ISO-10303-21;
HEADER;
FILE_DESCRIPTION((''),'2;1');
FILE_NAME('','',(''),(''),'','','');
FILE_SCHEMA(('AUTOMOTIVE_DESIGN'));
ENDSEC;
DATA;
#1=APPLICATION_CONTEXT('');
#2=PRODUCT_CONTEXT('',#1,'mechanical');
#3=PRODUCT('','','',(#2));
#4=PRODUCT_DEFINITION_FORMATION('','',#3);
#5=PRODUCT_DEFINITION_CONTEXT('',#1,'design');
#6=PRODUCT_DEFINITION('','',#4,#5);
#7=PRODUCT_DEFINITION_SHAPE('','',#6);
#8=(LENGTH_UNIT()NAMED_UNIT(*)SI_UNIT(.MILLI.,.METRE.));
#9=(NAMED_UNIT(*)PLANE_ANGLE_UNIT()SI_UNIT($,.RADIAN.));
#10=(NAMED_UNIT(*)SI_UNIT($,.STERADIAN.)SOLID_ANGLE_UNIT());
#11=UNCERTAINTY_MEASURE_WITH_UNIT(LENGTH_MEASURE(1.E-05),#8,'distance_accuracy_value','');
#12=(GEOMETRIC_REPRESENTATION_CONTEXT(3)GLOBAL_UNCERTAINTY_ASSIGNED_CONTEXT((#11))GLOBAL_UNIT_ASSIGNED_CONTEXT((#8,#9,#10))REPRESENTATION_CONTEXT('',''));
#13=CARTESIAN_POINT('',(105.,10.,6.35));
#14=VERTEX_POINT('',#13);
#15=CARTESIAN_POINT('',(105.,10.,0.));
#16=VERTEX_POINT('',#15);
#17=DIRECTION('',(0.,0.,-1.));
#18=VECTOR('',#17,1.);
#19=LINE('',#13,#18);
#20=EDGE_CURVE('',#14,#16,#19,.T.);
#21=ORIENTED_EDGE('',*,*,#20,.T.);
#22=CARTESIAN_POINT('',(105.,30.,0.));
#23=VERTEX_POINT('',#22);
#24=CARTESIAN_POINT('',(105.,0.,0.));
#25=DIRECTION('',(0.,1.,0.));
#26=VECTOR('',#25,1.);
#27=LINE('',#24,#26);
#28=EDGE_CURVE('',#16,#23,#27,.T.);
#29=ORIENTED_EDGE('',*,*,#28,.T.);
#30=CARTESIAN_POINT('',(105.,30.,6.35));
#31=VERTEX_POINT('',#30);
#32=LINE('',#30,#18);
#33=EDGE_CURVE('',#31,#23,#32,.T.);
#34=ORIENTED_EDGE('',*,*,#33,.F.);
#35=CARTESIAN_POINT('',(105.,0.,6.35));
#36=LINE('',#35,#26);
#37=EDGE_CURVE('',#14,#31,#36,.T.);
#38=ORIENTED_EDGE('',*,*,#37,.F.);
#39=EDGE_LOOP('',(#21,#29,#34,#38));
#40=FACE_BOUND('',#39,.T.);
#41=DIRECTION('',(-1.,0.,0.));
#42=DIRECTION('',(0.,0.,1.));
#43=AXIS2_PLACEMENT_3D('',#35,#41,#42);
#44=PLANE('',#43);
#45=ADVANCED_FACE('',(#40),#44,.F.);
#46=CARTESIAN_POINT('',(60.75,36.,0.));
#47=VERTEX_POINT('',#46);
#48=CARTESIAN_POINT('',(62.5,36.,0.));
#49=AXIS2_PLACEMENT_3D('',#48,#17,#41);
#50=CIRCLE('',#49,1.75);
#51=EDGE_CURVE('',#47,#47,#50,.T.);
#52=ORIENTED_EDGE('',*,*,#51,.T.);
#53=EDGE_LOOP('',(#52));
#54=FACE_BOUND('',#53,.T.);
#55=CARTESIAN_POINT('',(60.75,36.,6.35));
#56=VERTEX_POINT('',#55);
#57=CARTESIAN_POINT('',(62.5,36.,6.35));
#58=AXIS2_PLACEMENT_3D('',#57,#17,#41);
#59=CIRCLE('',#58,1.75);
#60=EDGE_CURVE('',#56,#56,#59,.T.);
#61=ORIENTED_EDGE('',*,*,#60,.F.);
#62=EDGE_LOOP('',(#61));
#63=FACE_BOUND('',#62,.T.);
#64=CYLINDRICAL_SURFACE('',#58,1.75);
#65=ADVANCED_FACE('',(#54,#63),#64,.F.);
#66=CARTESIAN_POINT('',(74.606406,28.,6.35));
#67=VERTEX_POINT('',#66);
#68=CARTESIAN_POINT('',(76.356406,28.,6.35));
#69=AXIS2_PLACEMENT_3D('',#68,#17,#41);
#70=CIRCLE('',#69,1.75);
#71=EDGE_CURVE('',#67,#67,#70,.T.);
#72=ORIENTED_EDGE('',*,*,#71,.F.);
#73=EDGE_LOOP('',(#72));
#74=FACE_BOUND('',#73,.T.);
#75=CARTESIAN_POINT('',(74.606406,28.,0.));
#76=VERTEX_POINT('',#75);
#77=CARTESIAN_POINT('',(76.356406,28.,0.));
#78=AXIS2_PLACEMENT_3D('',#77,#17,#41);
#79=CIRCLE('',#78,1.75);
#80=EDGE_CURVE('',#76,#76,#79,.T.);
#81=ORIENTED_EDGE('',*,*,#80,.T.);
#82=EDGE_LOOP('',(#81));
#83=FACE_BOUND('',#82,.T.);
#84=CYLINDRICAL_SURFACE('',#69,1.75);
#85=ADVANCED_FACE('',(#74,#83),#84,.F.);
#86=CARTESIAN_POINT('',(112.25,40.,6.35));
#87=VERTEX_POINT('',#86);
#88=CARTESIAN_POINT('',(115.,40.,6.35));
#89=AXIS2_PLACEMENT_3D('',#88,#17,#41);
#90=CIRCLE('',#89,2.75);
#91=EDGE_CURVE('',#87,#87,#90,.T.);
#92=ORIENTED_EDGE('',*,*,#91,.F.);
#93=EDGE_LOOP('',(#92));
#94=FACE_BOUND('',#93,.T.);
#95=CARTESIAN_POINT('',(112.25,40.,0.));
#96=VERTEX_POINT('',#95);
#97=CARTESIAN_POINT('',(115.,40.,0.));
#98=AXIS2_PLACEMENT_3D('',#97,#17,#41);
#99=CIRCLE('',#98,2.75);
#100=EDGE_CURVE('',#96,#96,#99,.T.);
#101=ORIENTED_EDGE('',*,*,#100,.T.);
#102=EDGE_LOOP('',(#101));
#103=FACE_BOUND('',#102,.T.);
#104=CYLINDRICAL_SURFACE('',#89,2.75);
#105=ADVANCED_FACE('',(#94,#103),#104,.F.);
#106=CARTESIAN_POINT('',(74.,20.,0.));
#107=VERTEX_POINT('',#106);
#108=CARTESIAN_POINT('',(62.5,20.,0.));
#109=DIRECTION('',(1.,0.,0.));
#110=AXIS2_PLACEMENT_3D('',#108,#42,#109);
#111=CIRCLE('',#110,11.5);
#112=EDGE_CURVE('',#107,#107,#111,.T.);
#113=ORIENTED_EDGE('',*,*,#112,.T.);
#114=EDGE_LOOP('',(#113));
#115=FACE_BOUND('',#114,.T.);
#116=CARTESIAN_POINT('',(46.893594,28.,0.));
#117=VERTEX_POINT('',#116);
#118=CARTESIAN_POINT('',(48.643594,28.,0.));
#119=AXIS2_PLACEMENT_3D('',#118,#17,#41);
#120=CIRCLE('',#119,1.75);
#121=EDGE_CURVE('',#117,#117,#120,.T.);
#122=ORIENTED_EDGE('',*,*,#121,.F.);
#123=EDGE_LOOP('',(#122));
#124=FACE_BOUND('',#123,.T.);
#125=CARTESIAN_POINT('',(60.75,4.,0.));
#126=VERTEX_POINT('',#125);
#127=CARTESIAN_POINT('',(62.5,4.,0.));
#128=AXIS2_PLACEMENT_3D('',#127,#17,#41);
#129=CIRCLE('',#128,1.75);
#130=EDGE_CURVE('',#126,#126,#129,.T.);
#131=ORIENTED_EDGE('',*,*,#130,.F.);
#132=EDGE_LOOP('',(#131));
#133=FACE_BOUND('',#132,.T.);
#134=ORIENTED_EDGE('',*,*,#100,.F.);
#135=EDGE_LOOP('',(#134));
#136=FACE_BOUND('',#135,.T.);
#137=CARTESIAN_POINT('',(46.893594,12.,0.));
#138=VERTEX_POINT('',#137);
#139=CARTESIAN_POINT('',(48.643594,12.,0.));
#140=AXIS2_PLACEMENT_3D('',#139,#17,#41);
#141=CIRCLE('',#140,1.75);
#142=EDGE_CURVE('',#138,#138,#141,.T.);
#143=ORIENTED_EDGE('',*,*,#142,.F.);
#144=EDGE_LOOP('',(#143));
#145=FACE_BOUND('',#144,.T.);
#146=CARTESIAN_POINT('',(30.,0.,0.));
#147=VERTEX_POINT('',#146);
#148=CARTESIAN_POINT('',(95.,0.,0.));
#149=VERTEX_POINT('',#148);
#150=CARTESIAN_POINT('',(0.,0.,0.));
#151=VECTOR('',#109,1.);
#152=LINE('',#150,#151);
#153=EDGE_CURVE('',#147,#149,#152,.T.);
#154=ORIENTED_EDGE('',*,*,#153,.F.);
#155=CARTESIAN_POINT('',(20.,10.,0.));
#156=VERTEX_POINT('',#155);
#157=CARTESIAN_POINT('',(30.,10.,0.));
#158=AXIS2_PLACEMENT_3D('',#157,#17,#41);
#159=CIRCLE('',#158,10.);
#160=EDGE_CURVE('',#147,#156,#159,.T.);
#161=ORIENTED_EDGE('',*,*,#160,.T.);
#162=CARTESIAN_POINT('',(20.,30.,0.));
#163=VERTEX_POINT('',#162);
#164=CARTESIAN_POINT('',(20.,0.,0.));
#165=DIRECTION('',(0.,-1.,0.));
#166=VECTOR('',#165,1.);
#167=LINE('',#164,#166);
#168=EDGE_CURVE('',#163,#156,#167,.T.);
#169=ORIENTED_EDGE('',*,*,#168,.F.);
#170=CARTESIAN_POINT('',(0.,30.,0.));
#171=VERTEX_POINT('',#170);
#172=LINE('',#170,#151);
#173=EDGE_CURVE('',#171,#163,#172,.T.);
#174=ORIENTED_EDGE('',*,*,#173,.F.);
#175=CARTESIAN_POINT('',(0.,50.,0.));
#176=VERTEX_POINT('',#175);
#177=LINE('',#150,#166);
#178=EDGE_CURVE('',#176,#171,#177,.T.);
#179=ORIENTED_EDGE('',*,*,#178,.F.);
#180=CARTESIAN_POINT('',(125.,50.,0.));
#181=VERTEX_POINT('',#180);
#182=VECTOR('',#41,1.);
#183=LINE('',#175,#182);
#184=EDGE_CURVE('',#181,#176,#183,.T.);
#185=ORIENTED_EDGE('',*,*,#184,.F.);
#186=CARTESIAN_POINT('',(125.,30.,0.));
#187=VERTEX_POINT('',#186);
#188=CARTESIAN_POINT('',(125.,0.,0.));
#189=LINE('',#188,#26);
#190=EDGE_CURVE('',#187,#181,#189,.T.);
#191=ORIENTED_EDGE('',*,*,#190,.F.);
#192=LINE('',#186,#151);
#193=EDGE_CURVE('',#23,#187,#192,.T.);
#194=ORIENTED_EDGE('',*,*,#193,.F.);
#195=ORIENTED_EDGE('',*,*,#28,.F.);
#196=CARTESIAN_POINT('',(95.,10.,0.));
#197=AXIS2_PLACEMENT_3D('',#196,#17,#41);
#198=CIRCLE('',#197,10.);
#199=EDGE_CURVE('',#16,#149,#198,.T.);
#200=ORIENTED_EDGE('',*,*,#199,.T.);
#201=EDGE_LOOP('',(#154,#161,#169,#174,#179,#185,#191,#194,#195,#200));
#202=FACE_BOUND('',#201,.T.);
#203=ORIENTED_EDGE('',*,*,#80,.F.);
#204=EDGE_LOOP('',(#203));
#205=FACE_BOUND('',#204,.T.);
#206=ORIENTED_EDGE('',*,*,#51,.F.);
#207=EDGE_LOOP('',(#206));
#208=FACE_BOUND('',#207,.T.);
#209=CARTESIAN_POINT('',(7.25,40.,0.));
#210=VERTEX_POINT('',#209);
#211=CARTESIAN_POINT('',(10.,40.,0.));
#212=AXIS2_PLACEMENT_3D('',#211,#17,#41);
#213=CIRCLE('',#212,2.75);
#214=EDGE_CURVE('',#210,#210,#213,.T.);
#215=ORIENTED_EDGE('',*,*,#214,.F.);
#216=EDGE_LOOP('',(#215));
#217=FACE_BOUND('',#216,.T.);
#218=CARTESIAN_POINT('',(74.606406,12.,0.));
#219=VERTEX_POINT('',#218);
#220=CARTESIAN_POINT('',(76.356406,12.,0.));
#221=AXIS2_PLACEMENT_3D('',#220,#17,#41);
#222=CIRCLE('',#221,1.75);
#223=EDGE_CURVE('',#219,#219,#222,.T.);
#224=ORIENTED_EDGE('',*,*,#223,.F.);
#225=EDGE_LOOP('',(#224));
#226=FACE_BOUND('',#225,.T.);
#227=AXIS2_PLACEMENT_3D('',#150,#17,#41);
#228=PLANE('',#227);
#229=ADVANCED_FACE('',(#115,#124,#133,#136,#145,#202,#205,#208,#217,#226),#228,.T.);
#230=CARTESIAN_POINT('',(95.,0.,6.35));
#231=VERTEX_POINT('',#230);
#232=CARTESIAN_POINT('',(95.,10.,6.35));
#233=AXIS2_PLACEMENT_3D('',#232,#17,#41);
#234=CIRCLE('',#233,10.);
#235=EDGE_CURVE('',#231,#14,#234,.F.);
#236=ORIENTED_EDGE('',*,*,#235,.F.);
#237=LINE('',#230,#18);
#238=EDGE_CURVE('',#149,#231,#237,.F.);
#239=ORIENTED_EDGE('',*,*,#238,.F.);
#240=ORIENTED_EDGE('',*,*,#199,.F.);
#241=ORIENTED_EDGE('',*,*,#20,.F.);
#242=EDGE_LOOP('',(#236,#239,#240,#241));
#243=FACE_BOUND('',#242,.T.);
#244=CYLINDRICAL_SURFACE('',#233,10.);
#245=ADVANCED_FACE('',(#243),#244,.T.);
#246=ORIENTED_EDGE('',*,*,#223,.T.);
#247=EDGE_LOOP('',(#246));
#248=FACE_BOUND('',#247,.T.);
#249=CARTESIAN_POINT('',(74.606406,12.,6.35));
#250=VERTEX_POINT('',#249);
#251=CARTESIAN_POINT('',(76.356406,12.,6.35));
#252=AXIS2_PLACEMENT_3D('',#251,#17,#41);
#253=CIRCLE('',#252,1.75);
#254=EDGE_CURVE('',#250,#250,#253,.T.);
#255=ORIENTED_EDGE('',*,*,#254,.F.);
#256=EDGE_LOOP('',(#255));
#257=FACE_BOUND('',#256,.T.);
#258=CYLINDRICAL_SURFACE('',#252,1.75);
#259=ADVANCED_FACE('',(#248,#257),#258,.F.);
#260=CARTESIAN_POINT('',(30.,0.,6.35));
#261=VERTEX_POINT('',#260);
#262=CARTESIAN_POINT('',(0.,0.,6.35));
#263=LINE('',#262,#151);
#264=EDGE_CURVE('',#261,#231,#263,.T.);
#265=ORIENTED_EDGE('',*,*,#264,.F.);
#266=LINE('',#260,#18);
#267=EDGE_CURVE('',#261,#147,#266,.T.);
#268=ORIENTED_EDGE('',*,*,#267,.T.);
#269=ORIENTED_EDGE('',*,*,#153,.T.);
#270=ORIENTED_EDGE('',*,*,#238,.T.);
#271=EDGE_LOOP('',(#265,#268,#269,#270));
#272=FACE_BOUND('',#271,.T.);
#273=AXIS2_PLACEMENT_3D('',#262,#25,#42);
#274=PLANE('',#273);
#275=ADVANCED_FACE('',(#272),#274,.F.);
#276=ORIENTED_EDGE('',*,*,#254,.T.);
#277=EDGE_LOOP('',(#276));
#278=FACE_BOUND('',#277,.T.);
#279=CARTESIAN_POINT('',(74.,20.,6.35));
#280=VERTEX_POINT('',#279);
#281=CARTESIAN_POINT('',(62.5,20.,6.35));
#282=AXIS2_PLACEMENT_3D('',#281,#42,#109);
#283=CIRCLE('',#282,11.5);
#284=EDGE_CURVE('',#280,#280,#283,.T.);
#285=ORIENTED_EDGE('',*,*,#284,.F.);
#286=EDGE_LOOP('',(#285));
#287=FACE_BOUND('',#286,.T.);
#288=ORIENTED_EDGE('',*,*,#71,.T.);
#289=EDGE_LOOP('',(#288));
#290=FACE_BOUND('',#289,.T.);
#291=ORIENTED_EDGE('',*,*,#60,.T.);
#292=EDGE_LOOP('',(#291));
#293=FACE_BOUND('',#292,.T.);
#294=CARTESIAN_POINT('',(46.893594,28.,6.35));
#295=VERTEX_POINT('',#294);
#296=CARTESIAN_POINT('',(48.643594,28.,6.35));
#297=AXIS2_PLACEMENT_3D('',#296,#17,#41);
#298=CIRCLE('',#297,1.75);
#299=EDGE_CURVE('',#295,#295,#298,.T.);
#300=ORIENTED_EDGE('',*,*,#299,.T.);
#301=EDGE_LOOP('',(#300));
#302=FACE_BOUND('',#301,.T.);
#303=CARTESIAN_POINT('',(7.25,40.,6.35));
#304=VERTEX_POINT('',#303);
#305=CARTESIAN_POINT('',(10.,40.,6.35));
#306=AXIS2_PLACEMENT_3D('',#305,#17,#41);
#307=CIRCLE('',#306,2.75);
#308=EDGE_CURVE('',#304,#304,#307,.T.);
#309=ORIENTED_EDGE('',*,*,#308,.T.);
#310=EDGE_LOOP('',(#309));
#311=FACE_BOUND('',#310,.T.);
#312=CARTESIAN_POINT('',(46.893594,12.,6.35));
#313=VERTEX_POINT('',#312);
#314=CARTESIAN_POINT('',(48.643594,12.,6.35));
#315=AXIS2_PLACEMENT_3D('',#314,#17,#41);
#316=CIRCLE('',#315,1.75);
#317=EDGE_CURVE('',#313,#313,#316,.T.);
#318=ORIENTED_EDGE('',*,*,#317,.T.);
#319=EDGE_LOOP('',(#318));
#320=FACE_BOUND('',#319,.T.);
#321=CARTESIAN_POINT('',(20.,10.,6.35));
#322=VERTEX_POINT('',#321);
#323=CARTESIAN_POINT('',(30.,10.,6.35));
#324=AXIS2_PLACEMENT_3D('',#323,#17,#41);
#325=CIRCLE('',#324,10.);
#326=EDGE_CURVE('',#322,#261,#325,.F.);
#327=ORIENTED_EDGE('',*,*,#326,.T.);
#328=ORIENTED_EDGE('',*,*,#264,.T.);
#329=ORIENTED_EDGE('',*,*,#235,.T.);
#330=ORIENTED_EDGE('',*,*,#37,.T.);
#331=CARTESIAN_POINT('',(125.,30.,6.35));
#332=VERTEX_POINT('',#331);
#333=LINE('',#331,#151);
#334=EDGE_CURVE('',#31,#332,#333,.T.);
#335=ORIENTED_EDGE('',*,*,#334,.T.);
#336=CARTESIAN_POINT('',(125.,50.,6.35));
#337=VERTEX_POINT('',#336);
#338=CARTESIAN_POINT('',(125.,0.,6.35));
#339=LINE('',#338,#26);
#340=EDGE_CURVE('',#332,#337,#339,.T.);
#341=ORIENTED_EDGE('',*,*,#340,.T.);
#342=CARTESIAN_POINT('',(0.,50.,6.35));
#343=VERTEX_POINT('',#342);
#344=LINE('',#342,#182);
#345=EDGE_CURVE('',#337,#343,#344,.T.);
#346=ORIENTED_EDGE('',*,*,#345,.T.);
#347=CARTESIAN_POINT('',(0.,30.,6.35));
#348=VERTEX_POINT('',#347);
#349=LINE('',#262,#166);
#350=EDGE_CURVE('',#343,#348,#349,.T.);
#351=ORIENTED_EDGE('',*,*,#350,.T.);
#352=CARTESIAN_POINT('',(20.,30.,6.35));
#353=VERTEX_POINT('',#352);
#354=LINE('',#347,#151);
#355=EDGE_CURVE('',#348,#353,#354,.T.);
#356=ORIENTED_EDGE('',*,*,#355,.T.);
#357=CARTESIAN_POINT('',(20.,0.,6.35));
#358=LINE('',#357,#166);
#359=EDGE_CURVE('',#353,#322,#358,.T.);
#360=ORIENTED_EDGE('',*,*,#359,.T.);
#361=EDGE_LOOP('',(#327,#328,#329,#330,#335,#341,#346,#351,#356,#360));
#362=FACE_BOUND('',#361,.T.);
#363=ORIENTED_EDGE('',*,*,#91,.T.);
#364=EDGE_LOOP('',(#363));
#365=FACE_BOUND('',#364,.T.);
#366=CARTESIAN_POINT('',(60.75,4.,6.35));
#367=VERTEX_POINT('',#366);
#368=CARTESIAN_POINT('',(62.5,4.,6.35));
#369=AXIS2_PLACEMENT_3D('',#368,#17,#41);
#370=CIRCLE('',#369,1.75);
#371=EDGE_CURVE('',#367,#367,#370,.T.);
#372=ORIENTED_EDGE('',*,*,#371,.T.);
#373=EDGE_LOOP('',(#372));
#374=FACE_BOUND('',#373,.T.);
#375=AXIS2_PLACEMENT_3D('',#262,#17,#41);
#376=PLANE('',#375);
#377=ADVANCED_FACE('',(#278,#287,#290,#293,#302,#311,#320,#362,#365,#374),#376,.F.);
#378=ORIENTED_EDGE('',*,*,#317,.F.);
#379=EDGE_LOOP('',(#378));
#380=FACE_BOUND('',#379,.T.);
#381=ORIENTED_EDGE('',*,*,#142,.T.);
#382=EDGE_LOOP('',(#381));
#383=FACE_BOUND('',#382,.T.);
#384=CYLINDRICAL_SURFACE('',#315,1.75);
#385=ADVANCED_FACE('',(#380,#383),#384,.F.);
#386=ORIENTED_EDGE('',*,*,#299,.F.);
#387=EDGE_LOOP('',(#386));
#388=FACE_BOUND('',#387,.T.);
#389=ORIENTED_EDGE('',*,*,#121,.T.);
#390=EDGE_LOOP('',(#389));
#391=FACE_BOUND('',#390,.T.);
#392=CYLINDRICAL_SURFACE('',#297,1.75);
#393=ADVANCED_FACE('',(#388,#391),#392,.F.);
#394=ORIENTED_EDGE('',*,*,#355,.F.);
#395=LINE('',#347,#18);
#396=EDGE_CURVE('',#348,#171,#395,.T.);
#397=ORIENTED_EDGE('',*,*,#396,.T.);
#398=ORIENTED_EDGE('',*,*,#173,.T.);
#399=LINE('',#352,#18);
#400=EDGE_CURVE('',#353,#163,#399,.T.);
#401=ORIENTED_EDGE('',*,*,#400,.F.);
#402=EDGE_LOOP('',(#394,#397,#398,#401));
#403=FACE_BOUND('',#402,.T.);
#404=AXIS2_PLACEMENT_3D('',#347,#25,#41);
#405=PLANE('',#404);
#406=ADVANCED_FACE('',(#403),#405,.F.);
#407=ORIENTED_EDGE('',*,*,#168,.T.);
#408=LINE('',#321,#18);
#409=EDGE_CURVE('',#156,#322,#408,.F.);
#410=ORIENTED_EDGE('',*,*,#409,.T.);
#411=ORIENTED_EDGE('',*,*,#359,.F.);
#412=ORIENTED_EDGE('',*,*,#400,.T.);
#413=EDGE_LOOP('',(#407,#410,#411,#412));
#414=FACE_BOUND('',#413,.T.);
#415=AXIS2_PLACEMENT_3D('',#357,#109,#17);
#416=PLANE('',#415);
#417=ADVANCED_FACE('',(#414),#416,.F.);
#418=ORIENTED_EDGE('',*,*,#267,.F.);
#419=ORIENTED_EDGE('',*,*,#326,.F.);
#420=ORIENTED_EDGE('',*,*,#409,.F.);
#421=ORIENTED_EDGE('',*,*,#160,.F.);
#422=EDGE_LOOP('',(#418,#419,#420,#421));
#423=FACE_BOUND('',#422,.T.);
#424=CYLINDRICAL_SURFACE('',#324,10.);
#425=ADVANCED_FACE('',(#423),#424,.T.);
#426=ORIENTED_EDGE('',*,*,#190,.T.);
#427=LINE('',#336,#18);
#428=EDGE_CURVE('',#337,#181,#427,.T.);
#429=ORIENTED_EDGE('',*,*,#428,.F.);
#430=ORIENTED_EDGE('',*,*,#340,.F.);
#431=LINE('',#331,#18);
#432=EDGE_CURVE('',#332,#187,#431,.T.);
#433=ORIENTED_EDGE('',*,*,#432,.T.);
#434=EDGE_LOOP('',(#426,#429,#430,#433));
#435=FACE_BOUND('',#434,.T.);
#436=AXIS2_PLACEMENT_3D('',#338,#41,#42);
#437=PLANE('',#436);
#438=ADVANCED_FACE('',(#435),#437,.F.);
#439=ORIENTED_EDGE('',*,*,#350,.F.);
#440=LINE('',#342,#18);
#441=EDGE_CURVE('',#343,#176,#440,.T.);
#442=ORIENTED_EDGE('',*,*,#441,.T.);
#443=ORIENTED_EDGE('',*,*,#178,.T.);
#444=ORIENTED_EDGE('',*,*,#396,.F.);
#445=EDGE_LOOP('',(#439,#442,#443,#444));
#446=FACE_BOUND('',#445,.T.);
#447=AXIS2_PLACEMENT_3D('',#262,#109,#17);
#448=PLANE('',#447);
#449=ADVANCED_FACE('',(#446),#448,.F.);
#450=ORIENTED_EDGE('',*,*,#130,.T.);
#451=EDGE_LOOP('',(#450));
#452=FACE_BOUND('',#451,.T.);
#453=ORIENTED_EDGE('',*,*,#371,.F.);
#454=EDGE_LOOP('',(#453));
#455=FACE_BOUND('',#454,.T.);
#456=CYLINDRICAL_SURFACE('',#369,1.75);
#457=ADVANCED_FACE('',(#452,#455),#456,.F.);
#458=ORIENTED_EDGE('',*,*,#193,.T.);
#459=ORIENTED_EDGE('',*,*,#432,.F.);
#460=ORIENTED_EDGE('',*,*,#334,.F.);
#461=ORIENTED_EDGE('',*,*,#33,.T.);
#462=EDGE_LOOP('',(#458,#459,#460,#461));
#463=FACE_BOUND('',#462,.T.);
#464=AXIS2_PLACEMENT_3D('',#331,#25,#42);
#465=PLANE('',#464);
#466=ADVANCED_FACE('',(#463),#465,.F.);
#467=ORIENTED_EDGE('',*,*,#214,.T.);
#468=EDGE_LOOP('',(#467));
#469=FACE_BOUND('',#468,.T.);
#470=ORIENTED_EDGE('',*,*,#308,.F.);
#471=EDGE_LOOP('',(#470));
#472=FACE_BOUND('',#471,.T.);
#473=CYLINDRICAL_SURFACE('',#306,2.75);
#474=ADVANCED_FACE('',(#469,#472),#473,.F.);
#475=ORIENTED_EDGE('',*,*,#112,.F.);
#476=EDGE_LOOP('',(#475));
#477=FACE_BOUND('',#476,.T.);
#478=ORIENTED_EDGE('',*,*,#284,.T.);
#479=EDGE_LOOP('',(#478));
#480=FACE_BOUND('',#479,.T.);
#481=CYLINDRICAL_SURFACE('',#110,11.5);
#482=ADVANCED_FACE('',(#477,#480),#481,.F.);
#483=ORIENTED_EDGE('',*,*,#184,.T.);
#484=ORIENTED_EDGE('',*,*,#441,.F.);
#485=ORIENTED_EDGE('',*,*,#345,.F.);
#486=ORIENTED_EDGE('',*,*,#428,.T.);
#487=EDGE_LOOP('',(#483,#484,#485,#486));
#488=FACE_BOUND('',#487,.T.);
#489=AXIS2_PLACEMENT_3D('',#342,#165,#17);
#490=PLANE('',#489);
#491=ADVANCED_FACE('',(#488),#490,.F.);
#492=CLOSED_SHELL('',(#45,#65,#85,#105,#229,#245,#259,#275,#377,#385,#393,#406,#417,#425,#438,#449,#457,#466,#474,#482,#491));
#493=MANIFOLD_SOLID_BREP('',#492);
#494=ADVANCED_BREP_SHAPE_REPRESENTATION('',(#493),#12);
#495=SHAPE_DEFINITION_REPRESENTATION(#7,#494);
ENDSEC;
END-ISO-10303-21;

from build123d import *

# Parameters (mm, degrees)
SKETCH1_W           = 125
SKETCH1_H           = 50
BOSS_EXTRUDE1_DEPTH = 6.35
SKETCH2_R           = 11.5
CUT_EXTRUDE1_DEPTH  = 7.35
SKETCH5_R           = 1.75
CUT_EXTRUDE5_DEPTH  = 7.35
SKETCH6_R           = 2.75
SKETCH6_W           = 20
SKETCH6_H           = 30
CUT_EXTRUDE6_DEPTH  = 7.35
FILLET1_R           = 10


with BuildPart() as part:
    # Sketch1 → Boss-Extrude1 (new body)
    with BuildSketch(Plane.XY):
        with Locations((62.5, 25)):
            Rectangle(SKETCH1_W, SKETCH1_H)
    extrude(amount=BOSS_EXTRUDE1_DEPTH)

    # Sketch2 → Cut-Extrude1 (cut, through all)
    with BuildSketch(Plane.XY.offset(6.35)):
        with Locations((62.5, 20)):
            Circle(SKETCH2_R)
    extrude(amount=-CUT_EXTRUDE1_DEPTH, mode=Mode.SUBTRACT)

    # Sketch5 → Cut-Extrude5 (cut, through all)
    with BuildSketch(Plane(origin=(0, 0, 0), x_dir=(-1, 0, 0), z_dir=(0, 0, -1))):
        with Locations((-48.643593539, 28)):
            Circle(SKETCH5_R)
        with Locations((-48.643593539, 12)):
            Circle(SKETCH5_R)
        with Locations((-62.5, 4)):
            Circle(SKETCH5_R)
        with Locations((-76.356406461, 12)):
            Circle(SKETCH5_R)
        with Locations((-76.356406461, 28)):
            Circle(SKETCH5_R)
        with Locations((-62.5, 36)):
            Circle(SKETCH5_R)
    extrude(amount=-CUT_EXTRUDE5_DEPTH, mode=Mode.SUBTRACT)

    # Sketch6 → Cut-Extrude6 (cut, through all)
    with BuildSketch(Plane(origin=(0, 0, 0), x_dir=(-1, 0, 0), z_dir=(0, 0, -1))):
        with Locations((-115, 40)):
            Circle(SKETCH6_R)
        with Locations((-10, 40)):
            Circle(SKETCH6_R)
        with Locations((-115, 15)):
            Rectangle(SKETCH6_W, SKETCH6_H)
        with Locations((-10, 15)):
            Rectangle(SKETCH6_W, SKETCH6_H)
    extrude(amount=-CUT_EXTRUDE6_DEPTH, mode=Mode.SUBTRACT)

    # Fillet1
    fillet1_edges = [part.edges().sort_by_distance(p)[0] for p in [
        (105, 0, 3.175),
        (20, 0, 3.175),
    ]]
    fillet(fillet1_edges, radius=FILLET1_R)


solid = part.part
